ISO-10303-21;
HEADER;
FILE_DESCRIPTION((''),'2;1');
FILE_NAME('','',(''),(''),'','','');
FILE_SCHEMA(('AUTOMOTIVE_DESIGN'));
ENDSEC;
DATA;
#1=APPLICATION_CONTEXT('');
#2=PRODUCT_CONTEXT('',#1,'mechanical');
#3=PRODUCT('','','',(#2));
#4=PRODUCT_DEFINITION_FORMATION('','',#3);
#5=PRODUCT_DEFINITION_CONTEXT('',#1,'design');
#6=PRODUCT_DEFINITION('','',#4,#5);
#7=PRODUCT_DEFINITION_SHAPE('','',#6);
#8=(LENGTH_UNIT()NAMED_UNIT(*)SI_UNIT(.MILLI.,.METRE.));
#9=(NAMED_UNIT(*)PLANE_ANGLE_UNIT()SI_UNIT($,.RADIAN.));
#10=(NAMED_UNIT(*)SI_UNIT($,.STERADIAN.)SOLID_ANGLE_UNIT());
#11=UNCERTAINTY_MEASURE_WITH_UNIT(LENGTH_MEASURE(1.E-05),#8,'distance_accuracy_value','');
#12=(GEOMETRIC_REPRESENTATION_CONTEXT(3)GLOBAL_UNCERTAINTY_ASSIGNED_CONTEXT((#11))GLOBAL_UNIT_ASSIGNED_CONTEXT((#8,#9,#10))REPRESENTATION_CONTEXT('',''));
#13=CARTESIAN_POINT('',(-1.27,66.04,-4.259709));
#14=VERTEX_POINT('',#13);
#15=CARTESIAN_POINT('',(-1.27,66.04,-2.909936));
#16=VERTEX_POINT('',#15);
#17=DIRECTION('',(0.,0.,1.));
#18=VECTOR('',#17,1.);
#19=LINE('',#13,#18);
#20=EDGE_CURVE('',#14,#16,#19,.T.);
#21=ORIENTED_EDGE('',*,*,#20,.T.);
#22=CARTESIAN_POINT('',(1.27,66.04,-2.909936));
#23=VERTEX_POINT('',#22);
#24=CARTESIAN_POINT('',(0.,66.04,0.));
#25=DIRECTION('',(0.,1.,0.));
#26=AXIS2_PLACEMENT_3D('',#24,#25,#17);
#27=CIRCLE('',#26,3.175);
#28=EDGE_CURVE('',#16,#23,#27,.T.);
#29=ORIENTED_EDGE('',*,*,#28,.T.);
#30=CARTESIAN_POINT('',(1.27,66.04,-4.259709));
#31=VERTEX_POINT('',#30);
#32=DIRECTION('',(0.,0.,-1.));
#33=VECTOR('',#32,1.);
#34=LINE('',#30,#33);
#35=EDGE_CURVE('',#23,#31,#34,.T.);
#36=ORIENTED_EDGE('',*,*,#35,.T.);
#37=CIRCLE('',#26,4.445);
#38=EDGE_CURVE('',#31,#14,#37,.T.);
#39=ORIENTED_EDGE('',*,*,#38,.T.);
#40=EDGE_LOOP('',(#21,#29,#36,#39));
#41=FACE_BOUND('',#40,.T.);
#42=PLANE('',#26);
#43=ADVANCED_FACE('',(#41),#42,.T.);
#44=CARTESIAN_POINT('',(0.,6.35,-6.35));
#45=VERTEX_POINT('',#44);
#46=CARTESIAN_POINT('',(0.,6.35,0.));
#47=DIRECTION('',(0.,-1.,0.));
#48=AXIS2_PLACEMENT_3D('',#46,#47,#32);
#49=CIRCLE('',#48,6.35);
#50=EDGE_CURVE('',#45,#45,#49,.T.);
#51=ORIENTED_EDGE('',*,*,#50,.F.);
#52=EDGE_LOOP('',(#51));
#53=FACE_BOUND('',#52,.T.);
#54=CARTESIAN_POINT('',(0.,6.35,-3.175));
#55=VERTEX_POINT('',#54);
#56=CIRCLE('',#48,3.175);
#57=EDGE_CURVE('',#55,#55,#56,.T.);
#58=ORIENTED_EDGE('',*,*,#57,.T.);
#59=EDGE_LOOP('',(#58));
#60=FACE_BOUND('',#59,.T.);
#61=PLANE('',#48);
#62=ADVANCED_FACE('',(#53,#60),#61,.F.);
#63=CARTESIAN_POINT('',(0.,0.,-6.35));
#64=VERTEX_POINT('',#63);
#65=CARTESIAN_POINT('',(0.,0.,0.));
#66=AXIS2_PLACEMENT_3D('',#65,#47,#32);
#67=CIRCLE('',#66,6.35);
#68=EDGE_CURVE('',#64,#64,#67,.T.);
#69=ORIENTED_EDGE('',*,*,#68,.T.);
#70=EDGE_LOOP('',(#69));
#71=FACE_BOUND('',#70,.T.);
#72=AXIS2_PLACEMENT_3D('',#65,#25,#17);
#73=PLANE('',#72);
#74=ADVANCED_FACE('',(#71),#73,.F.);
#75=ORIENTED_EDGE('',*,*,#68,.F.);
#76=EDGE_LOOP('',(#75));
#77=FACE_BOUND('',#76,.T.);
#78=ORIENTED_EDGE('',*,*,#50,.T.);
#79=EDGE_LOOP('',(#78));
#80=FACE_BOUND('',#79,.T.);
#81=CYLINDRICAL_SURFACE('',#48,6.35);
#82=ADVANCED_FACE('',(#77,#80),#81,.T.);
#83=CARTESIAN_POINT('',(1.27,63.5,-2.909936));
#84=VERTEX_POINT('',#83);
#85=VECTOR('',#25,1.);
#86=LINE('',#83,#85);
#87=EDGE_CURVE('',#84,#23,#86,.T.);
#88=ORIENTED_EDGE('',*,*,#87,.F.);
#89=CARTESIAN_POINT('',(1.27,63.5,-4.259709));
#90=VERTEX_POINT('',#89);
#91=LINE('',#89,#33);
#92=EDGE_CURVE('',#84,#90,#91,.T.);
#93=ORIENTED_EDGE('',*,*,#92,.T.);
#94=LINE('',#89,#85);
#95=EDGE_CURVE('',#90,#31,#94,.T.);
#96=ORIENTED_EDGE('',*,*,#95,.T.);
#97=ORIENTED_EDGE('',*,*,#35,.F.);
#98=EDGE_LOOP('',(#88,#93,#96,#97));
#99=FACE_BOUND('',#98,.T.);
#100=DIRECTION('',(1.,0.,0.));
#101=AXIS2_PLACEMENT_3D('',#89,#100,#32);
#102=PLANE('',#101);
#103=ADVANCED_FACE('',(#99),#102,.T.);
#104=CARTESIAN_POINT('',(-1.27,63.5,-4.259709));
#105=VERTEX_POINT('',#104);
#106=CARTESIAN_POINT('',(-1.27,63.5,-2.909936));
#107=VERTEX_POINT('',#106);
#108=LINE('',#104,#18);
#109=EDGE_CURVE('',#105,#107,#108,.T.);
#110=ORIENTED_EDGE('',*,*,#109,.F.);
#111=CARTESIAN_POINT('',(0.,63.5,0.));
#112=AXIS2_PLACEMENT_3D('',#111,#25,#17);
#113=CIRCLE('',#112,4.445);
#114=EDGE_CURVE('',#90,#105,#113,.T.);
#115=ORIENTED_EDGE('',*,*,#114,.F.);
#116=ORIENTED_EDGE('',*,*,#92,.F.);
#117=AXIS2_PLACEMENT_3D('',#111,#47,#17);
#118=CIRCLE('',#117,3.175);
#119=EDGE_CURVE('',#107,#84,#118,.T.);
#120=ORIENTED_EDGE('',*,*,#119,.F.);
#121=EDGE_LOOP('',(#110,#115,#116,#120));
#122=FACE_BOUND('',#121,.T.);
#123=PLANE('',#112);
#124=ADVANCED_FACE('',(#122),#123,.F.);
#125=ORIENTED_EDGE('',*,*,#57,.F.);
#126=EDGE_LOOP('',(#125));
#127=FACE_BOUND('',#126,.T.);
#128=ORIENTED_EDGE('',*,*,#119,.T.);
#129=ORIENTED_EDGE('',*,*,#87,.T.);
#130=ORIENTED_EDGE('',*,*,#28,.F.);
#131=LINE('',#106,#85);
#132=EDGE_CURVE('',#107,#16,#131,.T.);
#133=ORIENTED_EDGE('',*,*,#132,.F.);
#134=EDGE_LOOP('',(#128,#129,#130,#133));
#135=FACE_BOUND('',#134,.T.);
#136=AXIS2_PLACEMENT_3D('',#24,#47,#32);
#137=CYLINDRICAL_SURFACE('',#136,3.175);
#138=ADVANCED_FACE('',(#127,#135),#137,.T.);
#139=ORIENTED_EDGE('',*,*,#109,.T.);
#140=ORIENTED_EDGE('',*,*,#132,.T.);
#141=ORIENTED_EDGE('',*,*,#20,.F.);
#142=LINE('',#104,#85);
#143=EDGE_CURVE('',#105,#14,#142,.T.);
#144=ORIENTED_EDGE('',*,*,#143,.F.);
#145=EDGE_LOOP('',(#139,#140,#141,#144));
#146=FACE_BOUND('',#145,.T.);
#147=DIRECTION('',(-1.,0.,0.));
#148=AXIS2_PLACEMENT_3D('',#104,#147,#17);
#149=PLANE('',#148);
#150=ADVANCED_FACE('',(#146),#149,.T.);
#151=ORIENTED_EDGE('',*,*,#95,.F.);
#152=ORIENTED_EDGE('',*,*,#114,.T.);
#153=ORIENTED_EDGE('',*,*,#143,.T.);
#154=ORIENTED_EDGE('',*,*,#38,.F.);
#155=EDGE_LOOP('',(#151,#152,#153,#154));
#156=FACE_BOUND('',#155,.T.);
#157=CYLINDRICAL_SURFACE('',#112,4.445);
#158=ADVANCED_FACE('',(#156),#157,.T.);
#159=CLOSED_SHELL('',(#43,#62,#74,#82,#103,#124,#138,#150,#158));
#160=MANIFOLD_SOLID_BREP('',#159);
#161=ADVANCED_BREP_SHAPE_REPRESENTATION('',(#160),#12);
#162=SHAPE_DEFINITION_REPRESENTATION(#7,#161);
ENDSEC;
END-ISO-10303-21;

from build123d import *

# Parameters (mm, degrees)
SKETCH1_R           = 3.175
BOSS_EXTRUDE1_DEPTH = 66.04
BOSS_EXTRUDE2_START = -2.54
BOSS_EXTRUDE2_DEPTH = 2.54
SKETCH3_R           = 6.35
SKETCH3_R_2         = 3.175
BOSS_EXTRUDE3_DEPTH = 6.35


with BuildPart() as part:
    # Sketch1 → Boss-Extrude1 (new body)
    with BuildSketch(Plane(origin=(0, 0, 0), x_dir=(1, 0, 0), z_dir=(0, 1, 0))):
        with Locations(Location((0, 0, 0), (0, 0, 270))):
            Circle(SKETCH1_R)
    extrude(amount=BOSS_EXTRUDE1_DEPTH)

    # Sketch2 → Boss-Extrude2 (add)
    with BuildSketch(Plane(origin=(0, 66.04, 0), x_dir=(1, 0, 0), z_dir=(0, 1, 0)).offset(BOSS_EXTRUDE2_START)):
        with BuildLine():
            Line((1.27, 4.259709497), (1.27, 2.909935566))
            ThreePointArc((1.27, 2.909935566), (0, 3.175), (-1.27, 2.909935566))
            Line((-1.27, 2.909935566), (-1.27, 4.259709497))
            ThreePointArc((-1.27, 4.259709497), (0, 4.445), (1.27, 4.259709497))
        make_face()
    extrude(amount=BOSS_EXTRUDE2_DEPTH)

    # Sketch3 → Boss-Extrude3 (add)
    with BuildSketch(Plane.XZ):
        with Locations(Location((0, 0, 0), (0, 0, 270))):
            Circle(SKETCH3_R)
        with Locations(Location((0, 0, 0), (0, 0, 270))):
            Circle(SKETCH3_R_2, mode=Mode.SUBTRACT)
    extrude(amount=-BOSS_EXTRUDE3_DEPTH)


solid = part.part
